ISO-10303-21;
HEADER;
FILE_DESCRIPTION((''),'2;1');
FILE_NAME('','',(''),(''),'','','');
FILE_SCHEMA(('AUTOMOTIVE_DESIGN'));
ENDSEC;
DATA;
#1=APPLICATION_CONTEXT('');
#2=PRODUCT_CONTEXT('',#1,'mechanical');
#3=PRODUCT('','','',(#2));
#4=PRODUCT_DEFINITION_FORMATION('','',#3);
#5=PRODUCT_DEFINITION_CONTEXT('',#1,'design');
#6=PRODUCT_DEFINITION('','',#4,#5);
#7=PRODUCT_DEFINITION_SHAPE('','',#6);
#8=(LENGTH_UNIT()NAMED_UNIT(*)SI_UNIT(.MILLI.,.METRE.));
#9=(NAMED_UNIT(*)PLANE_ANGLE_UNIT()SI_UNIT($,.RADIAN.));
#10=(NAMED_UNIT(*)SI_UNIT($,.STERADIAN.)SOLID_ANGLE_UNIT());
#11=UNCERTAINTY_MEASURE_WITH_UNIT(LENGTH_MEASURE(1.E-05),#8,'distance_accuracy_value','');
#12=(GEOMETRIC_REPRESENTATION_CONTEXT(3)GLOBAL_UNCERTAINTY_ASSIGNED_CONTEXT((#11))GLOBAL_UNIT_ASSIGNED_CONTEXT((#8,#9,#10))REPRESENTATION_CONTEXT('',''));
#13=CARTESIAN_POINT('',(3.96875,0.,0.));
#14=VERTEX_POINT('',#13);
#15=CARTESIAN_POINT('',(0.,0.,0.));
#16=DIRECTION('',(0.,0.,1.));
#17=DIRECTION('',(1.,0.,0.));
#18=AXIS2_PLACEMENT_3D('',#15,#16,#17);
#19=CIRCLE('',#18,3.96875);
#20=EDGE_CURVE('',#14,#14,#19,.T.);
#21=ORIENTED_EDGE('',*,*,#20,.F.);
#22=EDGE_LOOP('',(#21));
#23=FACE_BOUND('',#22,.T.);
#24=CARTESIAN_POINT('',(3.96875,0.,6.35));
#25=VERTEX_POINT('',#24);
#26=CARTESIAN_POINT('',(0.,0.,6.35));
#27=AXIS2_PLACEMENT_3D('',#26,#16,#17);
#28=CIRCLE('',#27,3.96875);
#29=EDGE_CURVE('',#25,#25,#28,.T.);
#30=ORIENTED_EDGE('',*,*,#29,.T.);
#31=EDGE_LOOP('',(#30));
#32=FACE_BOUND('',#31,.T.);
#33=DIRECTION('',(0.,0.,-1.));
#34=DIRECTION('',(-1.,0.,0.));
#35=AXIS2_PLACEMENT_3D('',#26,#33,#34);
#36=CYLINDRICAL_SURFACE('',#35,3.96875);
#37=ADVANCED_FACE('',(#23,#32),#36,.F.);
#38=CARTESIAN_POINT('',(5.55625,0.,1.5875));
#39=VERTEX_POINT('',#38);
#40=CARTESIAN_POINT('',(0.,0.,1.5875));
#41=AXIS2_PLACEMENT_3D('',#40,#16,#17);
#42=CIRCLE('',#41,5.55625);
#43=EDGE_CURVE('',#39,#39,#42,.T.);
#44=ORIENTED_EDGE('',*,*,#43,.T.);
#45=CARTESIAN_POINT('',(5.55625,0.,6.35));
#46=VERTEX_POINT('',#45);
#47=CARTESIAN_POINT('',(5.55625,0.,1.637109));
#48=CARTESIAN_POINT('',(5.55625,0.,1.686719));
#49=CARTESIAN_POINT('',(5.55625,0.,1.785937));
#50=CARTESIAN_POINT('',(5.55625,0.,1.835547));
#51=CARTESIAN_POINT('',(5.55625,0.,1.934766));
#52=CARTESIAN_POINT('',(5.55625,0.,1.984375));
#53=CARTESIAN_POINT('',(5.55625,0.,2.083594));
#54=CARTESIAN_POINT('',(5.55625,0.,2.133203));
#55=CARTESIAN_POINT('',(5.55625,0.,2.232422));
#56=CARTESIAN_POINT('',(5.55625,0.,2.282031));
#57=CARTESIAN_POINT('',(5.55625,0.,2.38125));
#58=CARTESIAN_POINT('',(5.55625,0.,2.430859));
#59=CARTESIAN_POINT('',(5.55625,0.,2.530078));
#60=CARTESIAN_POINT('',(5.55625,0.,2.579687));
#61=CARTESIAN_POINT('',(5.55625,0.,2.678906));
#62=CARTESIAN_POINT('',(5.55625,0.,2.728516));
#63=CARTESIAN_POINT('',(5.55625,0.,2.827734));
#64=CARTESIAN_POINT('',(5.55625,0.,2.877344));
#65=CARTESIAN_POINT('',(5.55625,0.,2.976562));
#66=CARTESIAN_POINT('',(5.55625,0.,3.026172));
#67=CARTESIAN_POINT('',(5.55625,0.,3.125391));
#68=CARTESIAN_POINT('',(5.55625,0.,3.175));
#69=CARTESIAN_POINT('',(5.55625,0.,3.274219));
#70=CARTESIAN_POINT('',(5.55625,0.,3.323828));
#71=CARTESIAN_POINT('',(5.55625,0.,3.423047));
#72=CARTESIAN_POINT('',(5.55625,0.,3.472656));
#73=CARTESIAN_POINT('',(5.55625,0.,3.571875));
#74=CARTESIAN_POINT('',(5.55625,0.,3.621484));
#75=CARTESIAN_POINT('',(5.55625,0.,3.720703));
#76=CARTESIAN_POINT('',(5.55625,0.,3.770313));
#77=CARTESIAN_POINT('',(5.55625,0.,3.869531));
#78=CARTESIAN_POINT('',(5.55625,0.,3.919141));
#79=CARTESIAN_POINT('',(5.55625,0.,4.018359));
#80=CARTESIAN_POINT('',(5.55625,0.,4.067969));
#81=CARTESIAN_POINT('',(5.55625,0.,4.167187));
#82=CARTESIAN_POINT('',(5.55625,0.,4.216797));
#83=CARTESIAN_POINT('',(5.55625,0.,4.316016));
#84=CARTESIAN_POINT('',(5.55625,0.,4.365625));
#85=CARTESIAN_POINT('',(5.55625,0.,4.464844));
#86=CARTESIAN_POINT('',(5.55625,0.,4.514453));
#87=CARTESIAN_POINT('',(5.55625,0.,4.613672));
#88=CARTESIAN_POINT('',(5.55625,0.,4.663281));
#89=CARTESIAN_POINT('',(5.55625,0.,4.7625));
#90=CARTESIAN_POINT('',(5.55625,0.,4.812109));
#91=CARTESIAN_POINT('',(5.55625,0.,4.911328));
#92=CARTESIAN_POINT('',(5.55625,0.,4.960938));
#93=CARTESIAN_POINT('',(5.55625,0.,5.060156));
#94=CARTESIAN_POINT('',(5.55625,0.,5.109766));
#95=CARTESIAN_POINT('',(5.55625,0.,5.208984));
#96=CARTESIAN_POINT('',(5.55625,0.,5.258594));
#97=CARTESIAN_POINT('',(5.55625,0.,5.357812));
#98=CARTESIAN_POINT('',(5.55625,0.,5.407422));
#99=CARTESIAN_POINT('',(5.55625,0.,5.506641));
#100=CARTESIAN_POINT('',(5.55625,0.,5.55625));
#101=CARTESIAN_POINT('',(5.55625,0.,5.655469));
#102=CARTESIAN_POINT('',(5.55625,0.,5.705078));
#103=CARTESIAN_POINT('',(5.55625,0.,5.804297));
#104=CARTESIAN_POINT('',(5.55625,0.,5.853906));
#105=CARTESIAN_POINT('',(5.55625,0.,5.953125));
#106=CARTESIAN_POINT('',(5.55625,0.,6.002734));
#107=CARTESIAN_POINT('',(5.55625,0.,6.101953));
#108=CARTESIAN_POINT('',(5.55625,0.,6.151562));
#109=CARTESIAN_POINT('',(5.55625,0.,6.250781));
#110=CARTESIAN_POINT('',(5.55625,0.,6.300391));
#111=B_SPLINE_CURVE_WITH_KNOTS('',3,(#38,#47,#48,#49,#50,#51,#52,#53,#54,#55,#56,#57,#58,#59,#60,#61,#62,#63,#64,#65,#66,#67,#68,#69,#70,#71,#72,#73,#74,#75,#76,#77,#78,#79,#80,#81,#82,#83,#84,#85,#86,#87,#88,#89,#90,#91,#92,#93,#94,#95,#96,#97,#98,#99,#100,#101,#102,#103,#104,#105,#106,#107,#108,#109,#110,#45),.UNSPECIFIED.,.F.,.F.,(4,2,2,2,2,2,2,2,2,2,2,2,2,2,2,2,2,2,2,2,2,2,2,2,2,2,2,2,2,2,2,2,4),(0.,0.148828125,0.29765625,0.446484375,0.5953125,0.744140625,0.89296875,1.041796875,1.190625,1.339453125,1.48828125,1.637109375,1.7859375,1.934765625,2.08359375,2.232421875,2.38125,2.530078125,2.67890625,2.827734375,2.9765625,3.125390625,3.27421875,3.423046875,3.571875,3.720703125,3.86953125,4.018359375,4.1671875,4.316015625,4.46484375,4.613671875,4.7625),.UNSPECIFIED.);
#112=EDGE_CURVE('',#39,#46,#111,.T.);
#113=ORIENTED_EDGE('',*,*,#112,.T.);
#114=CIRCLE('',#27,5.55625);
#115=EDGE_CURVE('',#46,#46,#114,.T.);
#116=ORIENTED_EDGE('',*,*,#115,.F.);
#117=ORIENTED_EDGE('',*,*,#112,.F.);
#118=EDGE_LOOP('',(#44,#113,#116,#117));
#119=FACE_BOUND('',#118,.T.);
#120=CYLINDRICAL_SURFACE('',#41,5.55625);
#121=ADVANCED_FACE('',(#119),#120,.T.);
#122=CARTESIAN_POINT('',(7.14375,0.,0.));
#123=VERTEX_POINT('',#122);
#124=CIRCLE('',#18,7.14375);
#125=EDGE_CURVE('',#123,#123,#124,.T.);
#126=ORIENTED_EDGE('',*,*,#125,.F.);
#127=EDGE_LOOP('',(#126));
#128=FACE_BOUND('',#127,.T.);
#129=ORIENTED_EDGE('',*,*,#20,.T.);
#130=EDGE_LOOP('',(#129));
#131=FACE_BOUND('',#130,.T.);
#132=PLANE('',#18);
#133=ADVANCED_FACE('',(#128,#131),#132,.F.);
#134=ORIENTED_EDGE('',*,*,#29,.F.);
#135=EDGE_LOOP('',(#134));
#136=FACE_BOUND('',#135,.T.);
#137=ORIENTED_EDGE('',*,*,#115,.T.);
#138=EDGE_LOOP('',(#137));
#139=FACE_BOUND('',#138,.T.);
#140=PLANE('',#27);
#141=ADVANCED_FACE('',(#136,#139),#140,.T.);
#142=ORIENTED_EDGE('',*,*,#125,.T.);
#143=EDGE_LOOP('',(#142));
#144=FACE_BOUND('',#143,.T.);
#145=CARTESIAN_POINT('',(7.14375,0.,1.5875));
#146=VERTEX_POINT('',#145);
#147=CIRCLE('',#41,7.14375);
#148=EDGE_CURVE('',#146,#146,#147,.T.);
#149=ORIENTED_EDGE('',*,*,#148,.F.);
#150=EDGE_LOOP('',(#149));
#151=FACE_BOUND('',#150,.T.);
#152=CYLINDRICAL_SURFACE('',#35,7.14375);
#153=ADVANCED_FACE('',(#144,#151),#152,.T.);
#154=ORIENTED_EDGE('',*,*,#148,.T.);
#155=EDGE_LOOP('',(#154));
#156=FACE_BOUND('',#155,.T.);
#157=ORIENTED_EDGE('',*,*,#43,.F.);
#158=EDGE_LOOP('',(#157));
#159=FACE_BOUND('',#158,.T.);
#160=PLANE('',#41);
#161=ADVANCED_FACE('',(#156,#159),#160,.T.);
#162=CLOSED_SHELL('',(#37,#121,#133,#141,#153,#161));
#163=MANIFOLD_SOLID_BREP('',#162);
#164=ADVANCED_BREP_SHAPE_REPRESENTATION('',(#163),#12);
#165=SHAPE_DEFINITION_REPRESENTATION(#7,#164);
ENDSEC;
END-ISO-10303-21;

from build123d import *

# Parameters (mm, degrees)
SKETCH1_R           = 7.14375
SKETCH1_R_2         = 3.96875
BOSS_EXTRUDE1_DEPTH = 6.35
CUT_EXTRUDE2_START  = -4.7625
SKETCH2_R           = 7.14375
SKETCH2_R_2         = 5.55625
CUT_EXTRUDE2_DEPTH  = 4.7625


with BuildPart() as part:
    # Sketch1 → Boss-Extrude1 (new body)
    with BuildSketch(Plane.XY):
        Circle(SKETCH1_R)
        Circle(SKETCH1_R_2, mode=Mode.SUBTRACT)
    extrude(amount=BOSS_EXTRUDE1_DEPTH)

    # Sketch2 → Cut-Extrude2 (cut)
    with BuildSketch(Plane.XY.offset(6.35).offset(CUT_EXTRUDE2_START)):
        Circle(SKETCH2_R)
        Circle(SKETCH2_R_2, mode=Mode.SUBTRACT)
    extrude(amount=CUT_EXTRUDE2_DEPTH, mode=Mode.SUBTRACT)


solid = part.part
